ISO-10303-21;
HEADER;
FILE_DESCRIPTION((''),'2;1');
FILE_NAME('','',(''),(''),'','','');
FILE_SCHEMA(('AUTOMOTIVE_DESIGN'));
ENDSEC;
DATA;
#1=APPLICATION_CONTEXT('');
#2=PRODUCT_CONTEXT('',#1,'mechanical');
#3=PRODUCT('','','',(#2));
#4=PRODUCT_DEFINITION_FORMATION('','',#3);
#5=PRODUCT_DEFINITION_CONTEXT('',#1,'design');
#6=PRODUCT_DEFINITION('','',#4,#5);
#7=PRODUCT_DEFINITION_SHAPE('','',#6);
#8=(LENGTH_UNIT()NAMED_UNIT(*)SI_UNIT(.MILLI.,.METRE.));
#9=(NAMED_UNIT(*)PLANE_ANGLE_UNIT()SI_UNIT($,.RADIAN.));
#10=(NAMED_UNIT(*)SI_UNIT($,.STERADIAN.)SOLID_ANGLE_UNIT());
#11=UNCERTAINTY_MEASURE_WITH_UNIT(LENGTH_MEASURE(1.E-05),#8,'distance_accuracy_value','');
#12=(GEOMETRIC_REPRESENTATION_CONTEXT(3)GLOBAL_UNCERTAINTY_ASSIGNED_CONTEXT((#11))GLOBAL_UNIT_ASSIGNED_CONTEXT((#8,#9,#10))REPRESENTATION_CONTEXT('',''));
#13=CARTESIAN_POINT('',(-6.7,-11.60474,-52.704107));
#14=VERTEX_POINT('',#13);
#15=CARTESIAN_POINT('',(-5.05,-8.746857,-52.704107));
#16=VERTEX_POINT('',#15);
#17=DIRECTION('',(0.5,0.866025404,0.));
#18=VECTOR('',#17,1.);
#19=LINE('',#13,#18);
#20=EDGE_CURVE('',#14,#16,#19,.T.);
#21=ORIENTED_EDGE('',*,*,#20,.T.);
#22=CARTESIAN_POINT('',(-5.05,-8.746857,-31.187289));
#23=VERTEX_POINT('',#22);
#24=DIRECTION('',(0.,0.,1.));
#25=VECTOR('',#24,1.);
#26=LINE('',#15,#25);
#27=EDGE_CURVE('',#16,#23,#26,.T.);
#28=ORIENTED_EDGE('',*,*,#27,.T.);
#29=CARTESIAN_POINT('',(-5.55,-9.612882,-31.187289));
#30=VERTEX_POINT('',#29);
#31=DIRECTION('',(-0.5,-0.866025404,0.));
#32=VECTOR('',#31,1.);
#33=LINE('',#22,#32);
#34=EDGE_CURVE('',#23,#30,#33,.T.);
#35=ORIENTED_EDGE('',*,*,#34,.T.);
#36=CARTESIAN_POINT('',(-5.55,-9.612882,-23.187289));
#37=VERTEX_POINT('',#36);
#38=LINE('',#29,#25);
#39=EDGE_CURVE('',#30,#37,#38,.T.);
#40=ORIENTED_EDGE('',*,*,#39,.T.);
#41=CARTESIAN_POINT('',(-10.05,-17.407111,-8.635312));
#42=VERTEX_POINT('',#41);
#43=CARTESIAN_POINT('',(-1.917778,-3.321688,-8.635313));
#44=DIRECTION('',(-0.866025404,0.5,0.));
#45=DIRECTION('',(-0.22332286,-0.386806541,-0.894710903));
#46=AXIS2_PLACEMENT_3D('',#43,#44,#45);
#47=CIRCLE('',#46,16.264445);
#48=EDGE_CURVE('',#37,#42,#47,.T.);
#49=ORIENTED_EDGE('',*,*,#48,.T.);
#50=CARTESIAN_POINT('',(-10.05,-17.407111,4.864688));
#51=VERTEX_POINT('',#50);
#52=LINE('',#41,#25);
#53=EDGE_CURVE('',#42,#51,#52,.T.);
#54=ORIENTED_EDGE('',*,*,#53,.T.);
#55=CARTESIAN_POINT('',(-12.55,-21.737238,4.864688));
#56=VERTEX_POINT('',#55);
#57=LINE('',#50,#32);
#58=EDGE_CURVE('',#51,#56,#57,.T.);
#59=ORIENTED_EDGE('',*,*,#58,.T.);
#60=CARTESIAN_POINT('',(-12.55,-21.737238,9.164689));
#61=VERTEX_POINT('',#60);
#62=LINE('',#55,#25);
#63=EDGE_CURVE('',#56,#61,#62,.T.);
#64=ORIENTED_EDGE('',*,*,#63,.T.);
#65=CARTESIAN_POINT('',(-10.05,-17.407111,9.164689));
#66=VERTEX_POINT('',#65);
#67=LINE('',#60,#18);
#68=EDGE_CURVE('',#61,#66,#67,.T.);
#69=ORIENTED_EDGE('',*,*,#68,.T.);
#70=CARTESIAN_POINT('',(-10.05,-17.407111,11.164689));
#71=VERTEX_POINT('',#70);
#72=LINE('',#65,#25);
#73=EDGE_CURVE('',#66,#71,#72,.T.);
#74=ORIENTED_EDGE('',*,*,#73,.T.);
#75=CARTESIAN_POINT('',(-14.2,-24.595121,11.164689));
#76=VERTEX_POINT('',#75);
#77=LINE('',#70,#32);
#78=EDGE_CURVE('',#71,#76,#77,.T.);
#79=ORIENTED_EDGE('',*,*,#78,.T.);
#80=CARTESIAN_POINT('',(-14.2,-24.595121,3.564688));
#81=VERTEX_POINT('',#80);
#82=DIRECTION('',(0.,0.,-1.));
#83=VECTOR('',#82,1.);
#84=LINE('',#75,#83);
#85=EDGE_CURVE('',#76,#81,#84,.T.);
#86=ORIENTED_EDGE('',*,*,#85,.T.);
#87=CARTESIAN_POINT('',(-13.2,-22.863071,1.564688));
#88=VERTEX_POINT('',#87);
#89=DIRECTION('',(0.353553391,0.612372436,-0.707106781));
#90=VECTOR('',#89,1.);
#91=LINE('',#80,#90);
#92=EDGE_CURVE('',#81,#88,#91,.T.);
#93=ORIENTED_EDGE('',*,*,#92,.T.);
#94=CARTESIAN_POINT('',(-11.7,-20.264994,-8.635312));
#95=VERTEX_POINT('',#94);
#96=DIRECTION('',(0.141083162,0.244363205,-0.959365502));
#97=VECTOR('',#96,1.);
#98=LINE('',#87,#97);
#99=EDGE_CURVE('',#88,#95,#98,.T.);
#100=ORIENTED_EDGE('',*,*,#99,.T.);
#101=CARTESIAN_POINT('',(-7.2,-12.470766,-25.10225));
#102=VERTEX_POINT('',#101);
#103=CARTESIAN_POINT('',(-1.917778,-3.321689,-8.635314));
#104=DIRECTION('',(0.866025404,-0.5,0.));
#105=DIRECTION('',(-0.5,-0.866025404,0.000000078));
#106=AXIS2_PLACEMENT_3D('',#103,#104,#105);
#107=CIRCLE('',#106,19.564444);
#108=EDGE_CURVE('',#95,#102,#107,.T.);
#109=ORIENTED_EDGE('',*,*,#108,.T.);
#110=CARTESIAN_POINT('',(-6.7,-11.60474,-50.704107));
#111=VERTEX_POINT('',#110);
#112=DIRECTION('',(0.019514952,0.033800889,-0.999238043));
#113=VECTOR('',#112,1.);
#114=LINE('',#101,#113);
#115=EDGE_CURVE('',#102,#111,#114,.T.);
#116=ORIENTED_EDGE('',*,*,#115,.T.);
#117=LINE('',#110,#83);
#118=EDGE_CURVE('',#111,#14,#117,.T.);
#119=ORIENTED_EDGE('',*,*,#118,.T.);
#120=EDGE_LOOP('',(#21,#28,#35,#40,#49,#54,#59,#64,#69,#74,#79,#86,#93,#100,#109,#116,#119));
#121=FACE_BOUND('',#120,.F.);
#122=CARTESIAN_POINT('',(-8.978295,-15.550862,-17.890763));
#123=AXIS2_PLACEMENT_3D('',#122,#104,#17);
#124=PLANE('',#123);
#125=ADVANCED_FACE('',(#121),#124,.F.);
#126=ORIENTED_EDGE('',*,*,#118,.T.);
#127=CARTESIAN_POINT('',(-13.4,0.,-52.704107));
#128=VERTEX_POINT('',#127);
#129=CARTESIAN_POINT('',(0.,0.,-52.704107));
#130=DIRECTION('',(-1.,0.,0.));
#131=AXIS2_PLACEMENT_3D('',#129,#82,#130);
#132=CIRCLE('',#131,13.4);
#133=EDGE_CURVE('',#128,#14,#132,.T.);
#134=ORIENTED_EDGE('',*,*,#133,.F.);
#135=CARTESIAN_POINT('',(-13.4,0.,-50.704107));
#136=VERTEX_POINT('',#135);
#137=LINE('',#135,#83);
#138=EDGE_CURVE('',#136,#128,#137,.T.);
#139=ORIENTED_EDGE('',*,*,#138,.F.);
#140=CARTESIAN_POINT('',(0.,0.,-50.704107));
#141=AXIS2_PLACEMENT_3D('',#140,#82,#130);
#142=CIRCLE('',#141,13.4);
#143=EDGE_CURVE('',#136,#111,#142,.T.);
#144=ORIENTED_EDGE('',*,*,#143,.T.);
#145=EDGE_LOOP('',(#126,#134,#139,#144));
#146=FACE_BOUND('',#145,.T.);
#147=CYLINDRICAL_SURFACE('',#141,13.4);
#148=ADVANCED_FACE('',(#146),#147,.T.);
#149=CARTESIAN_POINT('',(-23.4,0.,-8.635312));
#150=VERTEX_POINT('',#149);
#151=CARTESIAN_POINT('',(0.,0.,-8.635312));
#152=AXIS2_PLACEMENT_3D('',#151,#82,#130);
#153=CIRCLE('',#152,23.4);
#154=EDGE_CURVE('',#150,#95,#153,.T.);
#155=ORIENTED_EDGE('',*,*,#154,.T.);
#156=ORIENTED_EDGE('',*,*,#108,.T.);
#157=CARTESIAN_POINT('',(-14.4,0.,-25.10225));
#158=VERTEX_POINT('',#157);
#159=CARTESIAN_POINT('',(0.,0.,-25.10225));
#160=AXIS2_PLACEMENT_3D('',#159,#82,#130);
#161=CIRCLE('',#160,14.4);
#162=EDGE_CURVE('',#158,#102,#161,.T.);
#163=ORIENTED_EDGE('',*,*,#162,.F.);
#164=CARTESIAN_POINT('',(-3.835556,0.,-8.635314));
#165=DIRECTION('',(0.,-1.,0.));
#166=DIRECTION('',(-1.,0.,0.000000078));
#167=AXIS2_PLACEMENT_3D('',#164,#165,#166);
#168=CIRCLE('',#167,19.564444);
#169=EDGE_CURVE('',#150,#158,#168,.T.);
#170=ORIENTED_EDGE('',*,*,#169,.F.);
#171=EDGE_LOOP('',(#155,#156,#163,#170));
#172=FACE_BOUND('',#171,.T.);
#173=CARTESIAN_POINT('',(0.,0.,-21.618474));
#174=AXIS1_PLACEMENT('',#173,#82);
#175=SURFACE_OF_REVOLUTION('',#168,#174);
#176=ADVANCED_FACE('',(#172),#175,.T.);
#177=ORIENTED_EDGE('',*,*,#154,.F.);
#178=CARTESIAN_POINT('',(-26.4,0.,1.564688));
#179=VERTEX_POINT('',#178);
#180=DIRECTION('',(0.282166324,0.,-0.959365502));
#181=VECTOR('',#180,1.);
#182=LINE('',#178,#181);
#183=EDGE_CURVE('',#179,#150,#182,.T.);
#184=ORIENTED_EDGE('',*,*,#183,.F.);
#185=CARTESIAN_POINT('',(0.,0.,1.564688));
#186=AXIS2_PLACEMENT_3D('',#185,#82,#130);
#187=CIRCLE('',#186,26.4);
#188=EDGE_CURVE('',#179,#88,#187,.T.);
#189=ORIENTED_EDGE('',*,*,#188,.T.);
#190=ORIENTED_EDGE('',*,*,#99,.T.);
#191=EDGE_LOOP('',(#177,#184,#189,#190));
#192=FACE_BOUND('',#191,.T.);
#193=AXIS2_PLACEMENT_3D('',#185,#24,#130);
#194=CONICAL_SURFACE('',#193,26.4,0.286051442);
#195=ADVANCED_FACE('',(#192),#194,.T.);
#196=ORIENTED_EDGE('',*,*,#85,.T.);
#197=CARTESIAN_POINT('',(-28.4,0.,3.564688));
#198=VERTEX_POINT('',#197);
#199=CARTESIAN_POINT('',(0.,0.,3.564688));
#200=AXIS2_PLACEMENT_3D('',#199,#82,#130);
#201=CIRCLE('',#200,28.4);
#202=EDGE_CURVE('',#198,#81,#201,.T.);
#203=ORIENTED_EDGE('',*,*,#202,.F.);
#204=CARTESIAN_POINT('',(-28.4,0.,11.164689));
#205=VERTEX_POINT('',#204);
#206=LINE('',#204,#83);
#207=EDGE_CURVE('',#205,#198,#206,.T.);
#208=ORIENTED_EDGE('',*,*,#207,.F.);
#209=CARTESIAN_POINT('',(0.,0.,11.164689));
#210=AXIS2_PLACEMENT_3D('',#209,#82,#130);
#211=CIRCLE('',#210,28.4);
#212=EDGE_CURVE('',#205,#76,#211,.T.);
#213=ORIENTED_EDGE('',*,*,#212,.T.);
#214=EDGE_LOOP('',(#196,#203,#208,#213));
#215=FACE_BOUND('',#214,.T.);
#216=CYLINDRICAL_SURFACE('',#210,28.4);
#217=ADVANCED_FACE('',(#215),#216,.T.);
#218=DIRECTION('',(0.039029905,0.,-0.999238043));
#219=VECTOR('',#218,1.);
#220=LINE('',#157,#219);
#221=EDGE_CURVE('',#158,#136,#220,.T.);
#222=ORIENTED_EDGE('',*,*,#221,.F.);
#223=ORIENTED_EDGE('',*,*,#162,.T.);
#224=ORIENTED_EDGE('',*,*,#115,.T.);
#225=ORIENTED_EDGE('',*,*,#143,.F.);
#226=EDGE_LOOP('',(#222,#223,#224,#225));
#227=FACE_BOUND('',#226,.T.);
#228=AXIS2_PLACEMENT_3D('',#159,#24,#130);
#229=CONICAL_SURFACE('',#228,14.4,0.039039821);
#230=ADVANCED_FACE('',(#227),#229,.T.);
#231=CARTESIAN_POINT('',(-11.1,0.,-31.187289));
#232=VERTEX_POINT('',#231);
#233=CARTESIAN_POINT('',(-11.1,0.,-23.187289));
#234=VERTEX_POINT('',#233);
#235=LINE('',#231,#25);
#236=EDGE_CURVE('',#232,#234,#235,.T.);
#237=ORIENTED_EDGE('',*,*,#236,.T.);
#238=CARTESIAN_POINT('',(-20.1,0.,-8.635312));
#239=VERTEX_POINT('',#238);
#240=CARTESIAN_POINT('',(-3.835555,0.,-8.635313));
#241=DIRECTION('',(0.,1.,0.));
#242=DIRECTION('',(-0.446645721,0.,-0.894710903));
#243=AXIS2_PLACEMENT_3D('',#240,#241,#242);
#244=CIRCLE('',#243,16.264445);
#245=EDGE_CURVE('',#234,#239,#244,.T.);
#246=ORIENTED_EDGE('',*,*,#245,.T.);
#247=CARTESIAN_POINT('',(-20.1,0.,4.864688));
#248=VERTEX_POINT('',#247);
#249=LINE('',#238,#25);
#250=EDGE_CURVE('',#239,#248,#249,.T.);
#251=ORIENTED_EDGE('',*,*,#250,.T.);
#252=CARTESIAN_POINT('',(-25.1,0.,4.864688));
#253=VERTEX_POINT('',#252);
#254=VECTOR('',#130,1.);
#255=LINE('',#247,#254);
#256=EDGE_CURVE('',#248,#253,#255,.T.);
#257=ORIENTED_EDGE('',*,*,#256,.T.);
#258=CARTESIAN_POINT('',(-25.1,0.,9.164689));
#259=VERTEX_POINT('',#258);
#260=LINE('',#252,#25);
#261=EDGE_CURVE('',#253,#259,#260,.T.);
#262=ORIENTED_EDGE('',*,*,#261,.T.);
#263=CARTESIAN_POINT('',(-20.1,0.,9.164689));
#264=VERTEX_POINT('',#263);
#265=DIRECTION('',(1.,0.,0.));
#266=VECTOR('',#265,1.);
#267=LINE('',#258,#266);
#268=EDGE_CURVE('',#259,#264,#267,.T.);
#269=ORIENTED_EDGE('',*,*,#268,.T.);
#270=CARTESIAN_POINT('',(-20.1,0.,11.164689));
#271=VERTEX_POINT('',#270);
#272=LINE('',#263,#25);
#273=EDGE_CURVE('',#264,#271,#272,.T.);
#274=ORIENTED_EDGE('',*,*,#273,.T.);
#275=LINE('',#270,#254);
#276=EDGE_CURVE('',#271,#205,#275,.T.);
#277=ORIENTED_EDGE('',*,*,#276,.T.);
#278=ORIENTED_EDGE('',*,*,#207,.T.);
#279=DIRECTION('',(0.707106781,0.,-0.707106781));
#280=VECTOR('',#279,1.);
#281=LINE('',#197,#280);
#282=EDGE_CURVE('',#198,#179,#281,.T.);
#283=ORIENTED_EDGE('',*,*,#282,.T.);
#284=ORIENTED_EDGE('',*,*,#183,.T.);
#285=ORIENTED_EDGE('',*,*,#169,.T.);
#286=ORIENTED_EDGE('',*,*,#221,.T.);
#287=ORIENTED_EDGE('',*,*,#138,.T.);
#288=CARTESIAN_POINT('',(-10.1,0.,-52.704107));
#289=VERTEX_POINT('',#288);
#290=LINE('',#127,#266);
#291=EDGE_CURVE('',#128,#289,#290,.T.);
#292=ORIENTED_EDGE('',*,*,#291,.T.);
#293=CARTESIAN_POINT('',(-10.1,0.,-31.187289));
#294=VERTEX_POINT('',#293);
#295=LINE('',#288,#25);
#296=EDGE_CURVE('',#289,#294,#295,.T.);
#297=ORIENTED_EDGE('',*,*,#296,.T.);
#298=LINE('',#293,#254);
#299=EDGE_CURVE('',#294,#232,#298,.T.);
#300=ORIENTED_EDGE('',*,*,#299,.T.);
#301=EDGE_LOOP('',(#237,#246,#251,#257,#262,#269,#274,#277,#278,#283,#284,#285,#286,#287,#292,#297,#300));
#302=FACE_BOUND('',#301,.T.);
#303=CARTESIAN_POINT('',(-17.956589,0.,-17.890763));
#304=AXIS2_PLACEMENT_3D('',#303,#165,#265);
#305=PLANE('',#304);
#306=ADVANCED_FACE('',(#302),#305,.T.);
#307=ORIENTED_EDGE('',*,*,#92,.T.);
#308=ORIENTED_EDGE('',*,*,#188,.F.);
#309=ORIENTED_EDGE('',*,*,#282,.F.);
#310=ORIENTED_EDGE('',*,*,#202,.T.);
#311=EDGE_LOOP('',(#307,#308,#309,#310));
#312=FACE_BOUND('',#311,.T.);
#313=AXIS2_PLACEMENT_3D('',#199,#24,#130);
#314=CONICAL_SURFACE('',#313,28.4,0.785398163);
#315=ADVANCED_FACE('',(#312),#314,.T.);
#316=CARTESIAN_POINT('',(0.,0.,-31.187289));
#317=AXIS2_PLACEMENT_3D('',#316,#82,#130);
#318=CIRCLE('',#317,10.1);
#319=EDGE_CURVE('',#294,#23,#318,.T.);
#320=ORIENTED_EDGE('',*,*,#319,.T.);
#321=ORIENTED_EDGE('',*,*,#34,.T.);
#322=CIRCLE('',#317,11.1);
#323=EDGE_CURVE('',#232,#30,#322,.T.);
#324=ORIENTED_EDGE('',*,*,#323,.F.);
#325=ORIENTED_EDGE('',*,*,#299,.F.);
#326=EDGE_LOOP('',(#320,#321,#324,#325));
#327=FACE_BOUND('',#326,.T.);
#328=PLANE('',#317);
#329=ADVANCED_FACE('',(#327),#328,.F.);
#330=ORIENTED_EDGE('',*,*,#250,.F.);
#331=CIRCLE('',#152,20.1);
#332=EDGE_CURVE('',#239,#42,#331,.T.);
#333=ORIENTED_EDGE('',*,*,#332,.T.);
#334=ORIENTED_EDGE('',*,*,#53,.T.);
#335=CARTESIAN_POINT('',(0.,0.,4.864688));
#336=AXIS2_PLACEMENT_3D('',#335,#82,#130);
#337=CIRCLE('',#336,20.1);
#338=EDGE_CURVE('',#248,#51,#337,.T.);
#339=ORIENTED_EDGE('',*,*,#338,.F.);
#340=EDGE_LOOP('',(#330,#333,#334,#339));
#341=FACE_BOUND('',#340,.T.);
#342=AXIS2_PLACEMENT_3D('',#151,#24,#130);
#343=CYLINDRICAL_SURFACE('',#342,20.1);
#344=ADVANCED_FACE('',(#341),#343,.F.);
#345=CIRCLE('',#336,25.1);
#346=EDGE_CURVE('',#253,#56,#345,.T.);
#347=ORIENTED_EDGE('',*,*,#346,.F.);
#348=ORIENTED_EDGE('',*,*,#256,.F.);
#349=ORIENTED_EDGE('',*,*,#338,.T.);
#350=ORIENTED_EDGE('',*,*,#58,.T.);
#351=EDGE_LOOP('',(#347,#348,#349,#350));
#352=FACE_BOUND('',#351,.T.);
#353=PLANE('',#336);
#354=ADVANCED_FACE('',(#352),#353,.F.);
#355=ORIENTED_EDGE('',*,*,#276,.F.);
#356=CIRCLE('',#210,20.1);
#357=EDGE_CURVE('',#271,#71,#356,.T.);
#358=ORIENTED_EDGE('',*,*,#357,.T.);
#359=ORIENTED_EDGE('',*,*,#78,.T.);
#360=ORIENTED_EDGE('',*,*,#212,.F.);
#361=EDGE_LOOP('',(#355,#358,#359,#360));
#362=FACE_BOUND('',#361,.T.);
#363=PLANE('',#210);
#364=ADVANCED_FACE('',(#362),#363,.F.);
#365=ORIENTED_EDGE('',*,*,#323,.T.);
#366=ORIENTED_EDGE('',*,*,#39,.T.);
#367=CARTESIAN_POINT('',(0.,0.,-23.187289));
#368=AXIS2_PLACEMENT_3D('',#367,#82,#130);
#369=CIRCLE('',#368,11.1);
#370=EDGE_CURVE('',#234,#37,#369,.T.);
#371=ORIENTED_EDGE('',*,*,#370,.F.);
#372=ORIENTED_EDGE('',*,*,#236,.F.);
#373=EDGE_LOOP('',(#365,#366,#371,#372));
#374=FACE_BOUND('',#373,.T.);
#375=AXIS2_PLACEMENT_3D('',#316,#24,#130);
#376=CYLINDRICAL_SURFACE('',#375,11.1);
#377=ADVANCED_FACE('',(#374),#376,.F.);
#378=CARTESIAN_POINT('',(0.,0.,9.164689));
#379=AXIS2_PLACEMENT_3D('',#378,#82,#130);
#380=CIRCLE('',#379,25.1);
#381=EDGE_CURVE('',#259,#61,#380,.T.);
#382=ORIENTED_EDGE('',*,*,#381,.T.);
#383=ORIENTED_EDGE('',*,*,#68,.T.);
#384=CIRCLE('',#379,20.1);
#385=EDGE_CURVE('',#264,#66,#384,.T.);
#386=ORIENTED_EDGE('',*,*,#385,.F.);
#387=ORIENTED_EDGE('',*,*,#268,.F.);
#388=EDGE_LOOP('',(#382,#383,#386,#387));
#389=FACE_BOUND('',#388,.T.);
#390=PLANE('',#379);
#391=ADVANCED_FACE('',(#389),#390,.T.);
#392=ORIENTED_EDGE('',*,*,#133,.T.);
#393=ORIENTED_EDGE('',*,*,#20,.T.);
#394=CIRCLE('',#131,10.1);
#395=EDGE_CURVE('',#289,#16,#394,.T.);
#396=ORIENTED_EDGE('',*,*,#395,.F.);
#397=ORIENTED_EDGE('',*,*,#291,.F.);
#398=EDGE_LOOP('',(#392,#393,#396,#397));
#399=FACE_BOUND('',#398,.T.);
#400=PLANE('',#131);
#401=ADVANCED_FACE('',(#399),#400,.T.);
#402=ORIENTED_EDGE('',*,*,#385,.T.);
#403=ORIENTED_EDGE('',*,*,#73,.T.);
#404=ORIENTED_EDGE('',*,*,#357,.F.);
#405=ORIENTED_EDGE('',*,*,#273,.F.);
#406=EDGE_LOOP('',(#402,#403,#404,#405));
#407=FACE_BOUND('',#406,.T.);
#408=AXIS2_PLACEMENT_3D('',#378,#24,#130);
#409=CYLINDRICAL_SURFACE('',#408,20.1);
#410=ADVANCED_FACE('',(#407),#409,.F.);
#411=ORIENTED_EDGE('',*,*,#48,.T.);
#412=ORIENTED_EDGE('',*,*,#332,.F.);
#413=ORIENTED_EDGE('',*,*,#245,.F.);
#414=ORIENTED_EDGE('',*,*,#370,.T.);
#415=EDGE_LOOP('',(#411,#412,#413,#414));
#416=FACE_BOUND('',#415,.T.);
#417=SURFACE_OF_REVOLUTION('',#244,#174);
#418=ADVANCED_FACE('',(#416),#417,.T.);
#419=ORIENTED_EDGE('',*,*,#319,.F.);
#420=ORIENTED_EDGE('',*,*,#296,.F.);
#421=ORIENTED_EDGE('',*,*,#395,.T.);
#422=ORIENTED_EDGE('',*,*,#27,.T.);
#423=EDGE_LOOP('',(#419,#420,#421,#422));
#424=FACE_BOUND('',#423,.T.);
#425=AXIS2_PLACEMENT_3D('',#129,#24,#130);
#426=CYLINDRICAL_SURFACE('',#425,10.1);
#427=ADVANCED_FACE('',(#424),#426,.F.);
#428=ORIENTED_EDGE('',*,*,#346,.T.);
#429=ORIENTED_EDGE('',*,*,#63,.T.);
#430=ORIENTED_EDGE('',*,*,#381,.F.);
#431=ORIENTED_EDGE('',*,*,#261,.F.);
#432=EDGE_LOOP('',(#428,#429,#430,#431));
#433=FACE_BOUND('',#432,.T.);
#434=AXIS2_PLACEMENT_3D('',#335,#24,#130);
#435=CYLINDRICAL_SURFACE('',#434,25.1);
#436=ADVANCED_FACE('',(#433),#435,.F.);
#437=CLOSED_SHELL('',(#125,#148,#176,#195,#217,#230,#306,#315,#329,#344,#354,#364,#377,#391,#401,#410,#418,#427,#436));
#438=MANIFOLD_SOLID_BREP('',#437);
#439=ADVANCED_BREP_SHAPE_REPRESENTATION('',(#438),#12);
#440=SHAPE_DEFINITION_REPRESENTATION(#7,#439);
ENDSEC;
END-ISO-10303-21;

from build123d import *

# Parameters (mm, degrees)
F1_ANGLE = 300


with BuildPart() as f1:
    # F0 (on Front) → F1 (revolve)
    with BuildSketch(Plane.XZ):
        with BuildLine():
            Line((-10.1, -52.704107), (-10.1, -49.404107))
            Line((-10.1, -49.404107), (-10.1, -31.187289))
            Line((-10.1, -31.187289), (-11.1, -31.187289))
            Line((-11.1, -31.187289), (-11.1, -23.187289))
            ThreePointArc((-11.1, -23.187289), (-17.668204, -17.190428), (-20.1, -8.635312))
            Line((-20.1, -8.635312), (-20.1, 4.864688))
            Line((-20.1, 4.864688), (-25.1, 4.864688))
            Line((-25.1, 4.864688), (-25.1, 9.164689))
            Line((-25.1, 9.164689), (-20.1, 9.164689))
            Line((-20.1, 9.164689), (-20.1, 11.164689))
            Line((-20.1, 11.164689), (-28.4, 11.164689))
            Line((-28.4, 11.164689), (-28.4, 9.164689))
            Line((-28.4, 9.164689), (-28.4, 3.564688))
            Line((-28.4, 3.564688), (-26.4, 1.564688))
            Line((-26.4, 1.564688), (-23.4, -8.635312))
            ThreePointArc((-23.4, -8.635312), (-21.003185, -18.018276), (-14.4, -25.10225))
            Line((-14.4, -25.10225), (-13.4, -50.704107))
            Line((-13.4, -50.704107), (-13.4, -52.704107))
            Line((-13.4, -52.704107), (-11.4, -52.704107))
            Line((-11.4, -52.704107), (-10.1, -52.704107))
        make_face()
    revolve(axis=Axis((0, 0, -21.618474), (0, 0, -1)), revolution_arc=F1_ANGLE)


solid = f1.part
